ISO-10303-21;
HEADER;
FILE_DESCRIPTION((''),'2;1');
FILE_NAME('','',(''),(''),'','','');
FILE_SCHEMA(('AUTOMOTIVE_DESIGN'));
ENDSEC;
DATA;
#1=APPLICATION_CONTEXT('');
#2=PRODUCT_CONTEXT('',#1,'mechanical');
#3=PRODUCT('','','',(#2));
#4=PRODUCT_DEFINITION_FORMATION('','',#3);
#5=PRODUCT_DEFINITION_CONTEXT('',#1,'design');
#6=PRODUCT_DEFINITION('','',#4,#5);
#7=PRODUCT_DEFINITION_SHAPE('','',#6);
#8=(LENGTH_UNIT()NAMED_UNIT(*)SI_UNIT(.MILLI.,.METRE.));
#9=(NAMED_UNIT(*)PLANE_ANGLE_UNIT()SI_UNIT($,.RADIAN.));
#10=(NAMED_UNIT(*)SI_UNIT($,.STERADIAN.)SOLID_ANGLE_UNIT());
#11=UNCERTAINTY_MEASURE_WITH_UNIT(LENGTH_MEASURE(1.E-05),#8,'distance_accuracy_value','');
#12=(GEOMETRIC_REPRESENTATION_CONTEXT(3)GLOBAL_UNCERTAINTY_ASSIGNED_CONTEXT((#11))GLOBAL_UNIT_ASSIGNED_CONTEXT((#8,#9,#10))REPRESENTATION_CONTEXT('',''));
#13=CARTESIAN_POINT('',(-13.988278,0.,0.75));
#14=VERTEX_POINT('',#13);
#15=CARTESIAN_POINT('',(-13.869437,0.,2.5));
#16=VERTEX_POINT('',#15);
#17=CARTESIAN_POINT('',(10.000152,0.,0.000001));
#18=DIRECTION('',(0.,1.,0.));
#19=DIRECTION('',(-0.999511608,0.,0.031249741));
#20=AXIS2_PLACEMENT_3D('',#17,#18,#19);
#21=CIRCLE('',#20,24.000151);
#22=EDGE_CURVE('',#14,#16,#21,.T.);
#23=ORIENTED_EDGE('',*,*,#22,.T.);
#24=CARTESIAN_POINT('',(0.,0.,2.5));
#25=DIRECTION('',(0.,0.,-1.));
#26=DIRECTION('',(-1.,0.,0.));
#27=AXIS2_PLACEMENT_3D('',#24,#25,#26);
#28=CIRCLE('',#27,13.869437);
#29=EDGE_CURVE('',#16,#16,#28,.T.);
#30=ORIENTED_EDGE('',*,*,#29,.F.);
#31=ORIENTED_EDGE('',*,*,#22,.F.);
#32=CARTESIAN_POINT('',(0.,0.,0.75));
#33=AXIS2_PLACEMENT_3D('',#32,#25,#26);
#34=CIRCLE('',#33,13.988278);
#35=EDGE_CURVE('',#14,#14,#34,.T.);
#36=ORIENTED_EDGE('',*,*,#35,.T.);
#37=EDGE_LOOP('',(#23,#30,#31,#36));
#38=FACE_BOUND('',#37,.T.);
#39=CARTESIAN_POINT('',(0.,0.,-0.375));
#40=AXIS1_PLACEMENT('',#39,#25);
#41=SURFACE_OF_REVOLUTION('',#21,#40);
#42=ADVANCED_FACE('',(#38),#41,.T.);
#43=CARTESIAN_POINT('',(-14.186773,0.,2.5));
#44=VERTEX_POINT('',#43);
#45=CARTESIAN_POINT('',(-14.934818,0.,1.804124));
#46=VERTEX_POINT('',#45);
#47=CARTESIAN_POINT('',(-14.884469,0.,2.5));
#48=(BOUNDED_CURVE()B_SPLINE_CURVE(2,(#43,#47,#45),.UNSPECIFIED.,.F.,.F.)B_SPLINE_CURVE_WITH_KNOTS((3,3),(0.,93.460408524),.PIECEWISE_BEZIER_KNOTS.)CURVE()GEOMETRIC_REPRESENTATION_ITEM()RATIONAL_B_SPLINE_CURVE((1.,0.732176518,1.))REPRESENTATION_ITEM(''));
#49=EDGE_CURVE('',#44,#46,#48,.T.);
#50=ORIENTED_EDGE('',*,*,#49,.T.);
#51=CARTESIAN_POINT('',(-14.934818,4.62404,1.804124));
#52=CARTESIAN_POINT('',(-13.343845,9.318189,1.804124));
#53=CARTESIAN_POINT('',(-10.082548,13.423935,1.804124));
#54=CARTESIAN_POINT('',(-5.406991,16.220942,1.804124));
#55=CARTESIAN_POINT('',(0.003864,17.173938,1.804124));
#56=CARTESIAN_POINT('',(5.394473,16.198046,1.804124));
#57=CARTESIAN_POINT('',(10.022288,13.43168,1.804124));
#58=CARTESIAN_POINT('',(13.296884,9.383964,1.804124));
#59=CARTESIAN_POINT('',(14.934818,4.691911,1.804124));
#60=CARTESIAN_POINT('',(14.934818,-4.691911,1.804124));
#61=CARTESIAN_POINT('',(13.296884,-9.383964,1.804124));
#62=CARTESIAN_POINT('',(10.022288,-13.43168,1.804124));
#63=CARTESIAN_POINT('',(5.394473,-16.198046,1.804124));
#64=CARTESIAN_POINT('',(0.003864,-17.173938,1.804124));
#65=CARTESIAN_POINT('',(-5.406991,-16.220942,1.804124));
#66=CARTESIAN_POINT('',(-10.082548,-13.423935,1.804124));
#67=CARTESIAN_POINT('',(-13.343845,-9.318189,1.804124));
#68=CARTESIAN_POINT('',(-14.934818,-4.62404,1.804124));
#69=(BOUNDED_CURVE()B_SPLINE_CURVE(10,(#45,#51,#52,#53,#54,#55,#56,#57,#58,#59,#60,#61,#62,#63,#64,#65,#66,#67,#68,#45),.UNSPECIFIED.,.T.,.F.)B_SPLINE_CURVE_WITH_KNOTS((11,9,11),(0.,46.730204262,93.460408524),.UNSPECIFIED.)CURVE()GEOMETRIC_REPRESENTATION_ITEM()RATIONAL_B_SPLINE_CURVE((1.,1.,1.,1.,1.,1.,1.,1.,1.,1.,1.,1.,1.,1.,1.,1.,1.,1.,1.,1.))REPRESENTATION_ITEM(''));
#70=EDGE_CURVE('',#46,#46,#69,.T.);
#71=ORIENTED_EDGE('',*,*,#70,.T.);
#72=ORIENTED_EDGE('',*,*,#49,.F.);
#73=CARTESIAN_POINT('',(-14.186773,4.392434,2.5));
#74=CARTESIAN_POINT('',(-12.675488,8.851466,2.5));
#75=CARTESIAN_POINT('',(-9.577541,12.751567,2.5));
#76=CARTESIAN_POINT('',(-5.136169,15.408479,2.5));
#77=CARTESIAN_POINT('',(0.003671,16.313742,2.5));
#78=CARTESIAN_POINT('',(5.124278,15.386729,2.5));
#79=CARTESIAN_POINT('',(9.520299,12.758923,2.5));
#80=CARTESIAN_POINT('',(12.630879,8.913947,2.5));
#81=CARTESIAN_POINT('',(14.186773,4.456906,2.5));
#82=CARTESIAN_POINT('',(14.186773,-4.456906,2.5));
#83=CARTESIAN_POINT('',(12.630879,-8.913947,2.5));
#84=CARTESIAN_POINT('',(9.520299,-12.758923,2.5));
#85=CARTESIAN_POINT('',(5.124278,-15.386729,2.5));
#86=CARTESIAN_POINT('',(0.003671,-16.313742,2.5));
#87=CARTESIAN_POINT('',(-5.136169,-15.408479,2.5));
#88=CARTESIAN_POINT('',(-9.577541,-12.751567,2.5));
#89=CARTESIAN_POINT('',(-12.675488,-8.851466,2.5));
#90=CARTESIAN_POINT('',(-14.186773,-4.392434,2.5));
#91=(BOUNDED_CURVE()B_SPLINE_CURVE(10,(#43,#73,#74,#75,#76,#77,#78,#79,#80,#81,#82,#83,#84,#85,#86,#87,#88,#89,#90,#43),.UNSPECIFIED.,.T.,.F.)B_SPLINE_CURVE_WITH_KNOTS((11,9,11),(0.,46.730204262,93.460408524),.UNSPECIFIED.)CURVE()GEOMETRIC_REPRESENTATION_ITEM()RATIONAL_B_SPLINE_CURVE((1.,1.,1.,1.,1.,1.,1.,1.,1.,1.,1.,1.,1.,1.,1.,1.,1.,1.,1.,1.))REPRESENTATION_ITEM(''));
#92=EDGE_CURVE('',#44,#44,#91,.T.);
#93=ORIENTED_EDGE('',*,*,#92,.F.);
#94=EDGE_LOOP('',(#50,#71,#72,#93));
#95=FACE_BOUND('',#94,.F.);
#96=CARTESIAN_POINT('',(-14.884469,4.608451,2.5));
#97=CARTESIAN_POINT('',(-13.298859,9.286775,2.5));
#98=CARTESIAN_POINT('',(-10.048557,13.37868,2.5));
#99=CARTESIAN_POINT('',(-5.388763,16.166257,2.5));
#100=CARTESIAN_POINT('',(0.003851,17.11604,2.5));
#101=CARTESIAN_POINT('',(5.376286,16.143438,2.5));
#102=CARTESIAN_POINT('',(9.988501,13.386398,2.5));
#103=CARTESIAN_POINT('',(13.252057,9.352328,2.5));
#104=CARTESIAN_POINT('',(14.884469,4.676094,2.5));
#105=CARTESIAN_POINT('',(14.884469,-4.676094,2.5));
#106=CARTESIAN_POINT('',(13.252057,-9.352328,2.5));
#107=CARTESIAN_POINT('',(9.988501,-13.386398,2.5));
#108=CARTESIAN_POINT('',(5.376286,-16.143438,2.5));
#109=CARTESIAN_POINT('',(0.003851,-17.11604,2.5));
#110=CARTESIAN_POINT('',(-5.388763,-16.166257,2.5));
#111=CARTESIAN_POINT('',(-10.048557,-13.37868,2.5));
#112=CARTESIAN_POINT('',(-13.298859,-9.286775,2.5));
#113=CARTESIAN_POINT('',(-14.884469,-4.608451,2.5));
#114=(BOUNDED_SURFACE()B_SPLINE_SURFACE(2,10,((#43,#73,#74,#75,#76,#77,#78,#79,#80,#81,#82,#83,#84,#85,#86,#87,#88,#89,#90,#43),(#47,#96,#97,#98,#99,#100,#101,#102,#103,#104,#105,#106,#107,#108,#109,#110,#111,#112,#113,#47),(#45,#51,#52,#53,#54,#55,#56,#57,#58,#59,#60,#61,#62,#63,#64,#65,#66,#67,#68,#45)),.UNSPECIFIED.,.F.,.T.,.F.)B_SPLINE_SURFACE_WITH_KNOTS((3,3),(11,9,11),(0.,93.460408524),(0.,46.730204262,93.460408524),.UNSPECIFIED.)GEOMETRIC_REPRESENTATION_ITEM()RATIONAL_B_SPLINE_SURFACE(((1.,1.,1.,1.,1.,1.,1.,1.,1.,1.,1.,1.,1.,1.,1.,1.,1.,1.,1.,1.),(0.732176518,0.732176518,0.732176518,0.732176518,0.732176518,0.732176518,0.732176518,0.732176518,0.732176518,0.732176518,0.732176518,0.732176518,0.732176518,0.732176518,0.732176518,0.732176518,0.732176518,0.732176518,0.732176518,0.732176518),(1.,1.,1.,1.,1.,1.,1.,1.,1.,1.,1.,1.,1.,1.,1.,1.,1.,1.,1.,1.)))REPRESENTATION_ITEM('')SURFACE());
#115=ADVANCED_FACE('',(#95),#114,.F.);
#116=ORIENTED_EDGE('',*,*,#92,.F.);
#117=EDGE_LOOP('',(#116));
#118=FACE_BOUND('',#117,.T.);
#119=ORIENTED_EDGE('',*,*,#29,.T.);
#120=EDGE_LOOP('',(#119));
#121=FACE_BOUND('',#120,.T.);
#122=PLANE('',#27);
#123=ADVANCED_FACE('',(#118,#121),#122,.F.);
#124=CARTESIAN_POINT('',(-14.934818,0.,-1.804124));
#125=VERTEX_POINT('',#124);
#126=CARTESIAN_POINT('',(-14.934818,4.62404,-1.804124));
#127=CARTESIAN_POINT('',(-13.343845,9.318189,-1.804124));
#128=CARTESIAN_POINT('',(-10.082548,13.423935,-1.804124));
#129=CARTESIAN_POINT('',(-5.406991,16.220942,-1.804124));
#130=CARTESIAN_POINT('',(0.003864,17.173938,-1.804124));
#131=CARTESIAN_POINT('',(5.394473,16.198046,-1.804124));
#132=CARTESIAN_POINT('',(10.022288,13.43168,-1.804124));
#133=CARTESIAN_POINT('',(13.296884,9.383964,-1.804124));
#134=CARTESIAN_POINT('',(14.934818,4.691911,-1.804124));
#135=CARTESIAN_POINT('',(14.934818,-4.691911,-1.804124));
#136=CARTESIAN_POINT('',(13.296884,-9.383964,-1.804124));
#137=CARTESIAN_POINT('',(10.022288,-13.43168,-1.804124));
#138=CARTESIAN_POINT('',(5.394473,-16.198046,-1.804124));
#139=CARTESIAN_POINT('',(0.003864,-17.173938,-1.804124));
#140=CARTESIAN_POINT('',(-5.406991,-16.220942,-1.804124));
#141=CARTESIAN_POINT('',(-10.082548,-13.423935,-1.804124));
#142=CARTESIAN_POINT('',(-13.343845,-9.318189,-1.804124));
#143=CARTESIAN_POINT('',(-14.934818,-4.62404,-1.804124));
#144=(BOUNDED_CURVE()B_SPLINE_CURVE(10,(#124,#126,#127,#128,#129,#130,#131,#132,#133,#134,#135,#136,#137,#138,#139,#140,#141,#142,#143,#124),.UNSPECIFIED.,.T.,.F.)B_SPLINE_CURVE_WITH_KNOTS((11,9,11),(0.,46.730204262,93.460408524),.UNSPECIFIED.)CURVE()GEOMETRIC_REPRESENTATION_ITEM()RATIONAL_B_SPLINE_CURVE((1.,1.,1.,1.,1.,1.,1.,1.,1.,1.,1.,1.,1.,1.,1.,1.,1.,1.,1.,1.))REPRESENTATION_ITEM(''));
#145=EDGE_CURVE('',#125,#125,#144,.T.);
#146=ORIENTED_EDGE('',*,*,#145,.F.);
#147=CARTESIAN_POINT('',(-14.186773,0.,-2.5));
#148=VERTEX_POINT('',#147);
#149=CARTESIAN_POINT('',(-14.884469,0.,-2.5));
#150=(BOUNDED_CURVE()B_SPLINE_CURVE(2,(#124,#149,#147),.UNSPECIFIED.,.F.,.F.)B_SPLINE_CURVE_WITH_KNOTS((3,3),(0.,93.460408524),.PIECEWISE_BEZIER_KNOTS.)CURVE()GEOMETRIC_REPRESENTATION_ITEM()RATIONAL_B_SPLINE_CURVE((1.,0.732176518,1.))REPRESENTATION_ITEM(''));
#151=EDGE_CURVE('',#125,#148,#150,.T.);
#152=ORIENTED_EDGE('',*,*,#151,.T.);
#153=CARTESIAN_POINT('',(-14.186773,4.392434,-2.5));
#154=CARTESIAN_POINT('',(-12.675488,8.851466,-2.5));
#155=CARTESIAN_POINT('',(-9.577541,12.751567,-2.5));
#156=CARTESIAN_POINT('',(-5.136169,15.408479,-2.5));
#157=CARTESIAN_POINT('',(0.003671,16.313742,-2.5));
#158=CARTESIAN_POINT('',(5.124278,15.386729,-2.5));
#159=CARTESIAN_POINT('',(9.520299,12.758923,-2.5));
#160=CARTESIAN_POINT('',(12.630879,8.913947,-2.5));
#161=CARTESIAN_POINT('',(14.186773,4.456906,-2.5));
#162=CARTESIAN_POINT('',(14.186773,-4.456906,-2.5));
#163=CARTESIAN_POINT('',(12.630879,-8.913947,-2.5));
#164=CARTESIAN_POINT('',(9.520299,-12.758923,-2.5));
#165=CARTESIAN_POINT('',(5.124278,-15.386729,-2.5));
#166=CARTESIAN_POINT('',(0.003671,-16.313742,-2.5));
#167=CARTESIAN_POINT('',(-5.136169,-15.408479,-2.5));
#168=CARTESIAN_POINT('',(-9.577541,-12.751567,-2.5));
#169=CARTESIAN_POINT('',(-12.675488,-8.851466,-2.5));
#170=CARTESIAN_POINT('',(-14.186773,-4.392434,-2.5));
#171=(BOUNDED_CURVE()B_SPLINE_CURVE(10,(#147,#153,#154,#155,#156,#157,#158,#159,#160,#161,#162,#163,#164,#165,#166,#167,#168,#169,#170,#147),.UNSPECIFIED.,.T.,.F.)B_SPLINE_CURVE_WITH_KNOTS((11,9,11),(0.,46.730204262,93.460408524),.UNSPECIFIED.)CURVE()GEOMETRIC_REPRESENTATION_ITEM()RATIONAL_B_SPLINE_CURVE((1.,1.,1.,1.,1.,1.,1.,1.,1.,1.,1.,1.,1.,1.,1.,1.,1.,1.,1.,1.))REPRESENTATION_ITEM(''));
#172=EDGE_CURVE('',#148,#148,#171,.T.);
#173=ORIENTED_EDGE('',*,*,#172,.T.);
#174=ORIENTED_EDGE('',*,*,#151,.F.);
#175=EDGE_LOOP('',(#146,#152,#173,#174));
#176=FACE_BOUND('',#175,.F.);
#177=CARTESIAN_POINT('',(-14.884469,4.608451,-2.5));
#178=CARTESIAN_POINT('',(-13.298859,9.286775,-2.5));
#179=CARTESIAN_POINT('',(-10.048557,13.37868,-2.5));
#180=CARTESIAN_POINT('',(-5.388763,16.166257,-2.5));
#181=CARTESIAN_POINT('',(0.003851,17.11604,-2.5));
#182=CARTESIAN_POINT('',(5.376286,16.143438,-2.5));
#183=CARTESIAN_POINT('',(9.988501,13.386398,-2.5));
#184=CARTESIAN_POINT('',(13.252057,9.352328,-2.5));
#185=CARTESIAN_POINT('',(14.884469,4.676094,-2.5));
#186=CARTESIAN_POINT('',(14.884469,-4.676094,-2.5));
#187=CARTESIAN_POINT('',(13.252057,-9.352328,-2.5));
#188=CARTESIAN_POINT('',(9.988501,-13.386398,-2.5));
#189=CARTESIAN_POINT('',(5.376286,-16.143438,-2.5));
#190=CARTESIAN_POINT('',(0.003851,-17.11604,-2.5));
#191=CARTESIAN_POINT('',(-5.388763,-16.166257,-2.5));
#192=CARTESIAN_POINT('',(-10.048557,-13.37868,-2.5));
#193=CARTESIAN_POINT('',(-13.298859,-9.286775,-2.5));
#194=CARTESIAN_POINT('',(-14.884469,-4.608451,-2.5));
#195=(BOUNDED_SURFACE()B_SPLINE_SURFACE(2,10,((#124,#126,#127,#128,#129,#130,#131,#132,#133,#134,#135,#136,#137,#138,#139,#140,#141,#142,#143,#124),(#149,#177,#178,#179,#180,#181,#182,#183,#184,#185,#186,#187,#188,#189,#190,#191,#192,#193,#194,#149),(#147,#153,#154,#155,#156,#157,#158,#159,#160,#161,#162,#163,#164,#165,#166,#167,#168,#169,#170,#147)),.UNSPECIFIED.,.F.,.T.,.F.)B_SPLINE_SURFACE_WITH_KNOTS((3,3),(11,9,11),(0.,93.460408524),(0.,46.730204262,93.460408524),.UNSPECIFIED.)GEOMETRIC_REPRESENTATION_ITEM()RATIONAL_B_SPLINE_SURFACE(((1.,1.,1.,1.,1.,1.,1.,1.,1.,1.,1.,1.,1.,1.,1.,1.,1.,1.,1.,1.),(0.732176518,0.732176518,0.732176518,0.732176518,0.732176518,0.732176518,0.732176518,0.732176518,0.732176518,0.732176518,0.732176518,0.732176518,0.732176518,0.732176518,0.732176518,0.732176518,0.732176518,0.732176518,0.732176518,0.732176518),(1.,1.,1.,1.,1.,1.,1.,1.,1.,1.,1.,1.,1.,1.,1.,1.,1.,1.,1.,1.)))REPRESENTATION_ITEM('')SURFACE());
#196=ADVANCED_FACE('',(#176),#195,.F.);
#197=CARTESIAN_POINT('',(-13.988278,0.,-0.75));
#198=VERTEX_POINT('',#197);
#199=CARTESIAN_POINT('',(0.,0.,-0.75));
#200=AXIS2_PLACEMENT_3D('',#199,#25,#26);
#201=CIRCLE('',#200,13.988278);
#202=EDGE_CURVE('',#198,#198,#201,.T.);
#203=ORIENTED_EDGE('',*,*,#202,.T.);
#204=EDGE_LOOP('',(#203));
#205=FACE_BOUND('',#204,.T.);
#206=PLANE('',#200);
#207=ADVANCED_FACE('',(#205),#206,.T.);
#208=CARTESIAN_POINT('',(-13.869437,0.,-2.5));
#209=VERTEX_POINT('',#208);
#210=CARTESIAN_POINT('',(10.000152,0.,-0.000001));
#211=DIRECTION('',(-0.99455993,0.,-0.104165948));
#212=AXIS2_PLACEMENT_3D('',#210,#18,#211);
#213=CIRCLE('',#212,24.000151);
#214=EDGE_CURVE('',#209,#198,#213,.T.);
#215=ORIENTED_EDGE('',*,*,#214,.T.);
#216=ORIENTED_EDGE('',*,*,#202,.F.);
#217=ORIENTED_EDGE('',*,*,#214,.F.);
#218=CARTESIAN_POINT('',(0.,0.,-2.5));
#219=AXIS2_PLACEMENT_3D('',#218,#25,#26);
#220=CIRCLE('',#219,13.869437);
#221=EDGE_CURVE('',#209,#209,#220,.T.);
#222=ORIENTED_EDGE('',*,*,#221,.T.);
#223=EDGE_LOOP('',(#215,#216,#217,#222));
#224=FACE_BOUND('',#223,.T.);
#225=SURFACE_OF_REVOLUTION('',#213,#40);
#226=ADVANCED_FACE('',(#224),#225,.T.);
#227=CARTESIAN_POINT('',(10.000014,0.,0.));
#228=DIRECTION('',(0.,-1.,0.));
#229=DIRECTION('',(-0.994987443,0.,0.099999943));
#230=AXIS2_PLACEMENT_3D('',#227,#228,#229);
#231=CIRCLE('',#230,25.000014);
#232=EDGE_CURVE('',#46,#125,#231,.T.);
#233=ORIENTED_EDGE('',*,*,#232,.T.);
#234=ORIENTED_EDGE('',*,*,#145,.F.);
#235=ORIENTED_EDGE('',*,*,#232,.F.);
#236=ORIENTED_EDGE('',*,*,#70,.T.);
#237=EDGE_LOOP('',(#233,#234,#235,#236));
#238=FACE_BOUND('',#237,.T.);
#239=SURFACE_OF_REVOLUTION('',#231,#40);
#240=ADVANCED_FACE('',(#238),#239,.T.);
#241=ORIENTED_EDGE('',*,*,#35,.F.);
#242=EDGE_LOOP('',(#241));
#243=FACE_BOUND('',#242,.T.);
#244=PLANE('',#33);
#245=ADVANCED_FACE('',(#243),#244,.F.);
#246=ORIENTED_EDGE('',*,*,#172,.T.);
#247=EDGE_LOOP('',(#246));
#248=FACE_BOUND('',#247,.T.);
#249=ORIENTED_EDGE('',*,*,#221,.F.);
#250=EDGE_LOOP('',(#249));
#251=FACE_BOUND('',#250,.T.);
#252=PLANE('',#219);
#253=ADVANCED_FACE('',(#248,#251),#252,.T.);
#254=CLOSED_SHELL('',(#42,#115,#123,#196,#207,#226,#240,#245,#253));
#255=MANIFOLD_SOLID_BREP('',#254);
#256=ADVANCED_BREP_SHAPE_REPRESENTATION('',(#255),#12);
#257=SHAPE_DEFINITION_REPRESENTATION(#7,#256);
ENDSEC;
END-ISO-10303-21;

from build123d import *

# Parameters (mm, degrees)
F2_R = 0.75


with BuildPart() as f1:
    # F0 (on Front) → F1 (revolve)
    with BuildSketch(Plane.XZ):
        with BuildLine():
            ThreePointArc((-13.869437, -2.5), (-13.94485, -1.626086), (-13.988278, -0.75))
            ThreePointArc((-13.988278, -0.75), (-14, 0), (-13.988278, 0.75))
            ThreePointArc((-13.988278, 0.75), (-13.94485, 1.626086), (-13.869437, 2.5))
            Line((-13.869437, 2.5), (-14.874686, 2.5))
            ThreePointArc((-14.874686, 2.5), (-15, 0), (-14.874686, -2.5))
            Line((-14.874686, -2.5), (-13.869437, -2.5))
        make_face()
        with BuildLine():
            Line((0, -0.75), (0, 0))
            Line((0, 0), (0, 0.75))
            Line((0, 0.75), (-13.988278, 0.75))
            ThreePointArc((-13.988278, 0.75), (-14, 0), (-13.988278, -0.75))
            Line((-13.988278, -0.75), (0, -0.75))
        make_face()
    revolve(axis=Axis((0, 0, -0.375), (0, 0, -1)))

    # F2
    f2_edges = [f1.edges().sort_by_distance(p)[0] for p in [
        (14.874686, 0, 2.5),
        (14.874686, 0, -2.5),
    ]]
    fillet(f2_edges, radius=F2_R)


solid = f1.part
